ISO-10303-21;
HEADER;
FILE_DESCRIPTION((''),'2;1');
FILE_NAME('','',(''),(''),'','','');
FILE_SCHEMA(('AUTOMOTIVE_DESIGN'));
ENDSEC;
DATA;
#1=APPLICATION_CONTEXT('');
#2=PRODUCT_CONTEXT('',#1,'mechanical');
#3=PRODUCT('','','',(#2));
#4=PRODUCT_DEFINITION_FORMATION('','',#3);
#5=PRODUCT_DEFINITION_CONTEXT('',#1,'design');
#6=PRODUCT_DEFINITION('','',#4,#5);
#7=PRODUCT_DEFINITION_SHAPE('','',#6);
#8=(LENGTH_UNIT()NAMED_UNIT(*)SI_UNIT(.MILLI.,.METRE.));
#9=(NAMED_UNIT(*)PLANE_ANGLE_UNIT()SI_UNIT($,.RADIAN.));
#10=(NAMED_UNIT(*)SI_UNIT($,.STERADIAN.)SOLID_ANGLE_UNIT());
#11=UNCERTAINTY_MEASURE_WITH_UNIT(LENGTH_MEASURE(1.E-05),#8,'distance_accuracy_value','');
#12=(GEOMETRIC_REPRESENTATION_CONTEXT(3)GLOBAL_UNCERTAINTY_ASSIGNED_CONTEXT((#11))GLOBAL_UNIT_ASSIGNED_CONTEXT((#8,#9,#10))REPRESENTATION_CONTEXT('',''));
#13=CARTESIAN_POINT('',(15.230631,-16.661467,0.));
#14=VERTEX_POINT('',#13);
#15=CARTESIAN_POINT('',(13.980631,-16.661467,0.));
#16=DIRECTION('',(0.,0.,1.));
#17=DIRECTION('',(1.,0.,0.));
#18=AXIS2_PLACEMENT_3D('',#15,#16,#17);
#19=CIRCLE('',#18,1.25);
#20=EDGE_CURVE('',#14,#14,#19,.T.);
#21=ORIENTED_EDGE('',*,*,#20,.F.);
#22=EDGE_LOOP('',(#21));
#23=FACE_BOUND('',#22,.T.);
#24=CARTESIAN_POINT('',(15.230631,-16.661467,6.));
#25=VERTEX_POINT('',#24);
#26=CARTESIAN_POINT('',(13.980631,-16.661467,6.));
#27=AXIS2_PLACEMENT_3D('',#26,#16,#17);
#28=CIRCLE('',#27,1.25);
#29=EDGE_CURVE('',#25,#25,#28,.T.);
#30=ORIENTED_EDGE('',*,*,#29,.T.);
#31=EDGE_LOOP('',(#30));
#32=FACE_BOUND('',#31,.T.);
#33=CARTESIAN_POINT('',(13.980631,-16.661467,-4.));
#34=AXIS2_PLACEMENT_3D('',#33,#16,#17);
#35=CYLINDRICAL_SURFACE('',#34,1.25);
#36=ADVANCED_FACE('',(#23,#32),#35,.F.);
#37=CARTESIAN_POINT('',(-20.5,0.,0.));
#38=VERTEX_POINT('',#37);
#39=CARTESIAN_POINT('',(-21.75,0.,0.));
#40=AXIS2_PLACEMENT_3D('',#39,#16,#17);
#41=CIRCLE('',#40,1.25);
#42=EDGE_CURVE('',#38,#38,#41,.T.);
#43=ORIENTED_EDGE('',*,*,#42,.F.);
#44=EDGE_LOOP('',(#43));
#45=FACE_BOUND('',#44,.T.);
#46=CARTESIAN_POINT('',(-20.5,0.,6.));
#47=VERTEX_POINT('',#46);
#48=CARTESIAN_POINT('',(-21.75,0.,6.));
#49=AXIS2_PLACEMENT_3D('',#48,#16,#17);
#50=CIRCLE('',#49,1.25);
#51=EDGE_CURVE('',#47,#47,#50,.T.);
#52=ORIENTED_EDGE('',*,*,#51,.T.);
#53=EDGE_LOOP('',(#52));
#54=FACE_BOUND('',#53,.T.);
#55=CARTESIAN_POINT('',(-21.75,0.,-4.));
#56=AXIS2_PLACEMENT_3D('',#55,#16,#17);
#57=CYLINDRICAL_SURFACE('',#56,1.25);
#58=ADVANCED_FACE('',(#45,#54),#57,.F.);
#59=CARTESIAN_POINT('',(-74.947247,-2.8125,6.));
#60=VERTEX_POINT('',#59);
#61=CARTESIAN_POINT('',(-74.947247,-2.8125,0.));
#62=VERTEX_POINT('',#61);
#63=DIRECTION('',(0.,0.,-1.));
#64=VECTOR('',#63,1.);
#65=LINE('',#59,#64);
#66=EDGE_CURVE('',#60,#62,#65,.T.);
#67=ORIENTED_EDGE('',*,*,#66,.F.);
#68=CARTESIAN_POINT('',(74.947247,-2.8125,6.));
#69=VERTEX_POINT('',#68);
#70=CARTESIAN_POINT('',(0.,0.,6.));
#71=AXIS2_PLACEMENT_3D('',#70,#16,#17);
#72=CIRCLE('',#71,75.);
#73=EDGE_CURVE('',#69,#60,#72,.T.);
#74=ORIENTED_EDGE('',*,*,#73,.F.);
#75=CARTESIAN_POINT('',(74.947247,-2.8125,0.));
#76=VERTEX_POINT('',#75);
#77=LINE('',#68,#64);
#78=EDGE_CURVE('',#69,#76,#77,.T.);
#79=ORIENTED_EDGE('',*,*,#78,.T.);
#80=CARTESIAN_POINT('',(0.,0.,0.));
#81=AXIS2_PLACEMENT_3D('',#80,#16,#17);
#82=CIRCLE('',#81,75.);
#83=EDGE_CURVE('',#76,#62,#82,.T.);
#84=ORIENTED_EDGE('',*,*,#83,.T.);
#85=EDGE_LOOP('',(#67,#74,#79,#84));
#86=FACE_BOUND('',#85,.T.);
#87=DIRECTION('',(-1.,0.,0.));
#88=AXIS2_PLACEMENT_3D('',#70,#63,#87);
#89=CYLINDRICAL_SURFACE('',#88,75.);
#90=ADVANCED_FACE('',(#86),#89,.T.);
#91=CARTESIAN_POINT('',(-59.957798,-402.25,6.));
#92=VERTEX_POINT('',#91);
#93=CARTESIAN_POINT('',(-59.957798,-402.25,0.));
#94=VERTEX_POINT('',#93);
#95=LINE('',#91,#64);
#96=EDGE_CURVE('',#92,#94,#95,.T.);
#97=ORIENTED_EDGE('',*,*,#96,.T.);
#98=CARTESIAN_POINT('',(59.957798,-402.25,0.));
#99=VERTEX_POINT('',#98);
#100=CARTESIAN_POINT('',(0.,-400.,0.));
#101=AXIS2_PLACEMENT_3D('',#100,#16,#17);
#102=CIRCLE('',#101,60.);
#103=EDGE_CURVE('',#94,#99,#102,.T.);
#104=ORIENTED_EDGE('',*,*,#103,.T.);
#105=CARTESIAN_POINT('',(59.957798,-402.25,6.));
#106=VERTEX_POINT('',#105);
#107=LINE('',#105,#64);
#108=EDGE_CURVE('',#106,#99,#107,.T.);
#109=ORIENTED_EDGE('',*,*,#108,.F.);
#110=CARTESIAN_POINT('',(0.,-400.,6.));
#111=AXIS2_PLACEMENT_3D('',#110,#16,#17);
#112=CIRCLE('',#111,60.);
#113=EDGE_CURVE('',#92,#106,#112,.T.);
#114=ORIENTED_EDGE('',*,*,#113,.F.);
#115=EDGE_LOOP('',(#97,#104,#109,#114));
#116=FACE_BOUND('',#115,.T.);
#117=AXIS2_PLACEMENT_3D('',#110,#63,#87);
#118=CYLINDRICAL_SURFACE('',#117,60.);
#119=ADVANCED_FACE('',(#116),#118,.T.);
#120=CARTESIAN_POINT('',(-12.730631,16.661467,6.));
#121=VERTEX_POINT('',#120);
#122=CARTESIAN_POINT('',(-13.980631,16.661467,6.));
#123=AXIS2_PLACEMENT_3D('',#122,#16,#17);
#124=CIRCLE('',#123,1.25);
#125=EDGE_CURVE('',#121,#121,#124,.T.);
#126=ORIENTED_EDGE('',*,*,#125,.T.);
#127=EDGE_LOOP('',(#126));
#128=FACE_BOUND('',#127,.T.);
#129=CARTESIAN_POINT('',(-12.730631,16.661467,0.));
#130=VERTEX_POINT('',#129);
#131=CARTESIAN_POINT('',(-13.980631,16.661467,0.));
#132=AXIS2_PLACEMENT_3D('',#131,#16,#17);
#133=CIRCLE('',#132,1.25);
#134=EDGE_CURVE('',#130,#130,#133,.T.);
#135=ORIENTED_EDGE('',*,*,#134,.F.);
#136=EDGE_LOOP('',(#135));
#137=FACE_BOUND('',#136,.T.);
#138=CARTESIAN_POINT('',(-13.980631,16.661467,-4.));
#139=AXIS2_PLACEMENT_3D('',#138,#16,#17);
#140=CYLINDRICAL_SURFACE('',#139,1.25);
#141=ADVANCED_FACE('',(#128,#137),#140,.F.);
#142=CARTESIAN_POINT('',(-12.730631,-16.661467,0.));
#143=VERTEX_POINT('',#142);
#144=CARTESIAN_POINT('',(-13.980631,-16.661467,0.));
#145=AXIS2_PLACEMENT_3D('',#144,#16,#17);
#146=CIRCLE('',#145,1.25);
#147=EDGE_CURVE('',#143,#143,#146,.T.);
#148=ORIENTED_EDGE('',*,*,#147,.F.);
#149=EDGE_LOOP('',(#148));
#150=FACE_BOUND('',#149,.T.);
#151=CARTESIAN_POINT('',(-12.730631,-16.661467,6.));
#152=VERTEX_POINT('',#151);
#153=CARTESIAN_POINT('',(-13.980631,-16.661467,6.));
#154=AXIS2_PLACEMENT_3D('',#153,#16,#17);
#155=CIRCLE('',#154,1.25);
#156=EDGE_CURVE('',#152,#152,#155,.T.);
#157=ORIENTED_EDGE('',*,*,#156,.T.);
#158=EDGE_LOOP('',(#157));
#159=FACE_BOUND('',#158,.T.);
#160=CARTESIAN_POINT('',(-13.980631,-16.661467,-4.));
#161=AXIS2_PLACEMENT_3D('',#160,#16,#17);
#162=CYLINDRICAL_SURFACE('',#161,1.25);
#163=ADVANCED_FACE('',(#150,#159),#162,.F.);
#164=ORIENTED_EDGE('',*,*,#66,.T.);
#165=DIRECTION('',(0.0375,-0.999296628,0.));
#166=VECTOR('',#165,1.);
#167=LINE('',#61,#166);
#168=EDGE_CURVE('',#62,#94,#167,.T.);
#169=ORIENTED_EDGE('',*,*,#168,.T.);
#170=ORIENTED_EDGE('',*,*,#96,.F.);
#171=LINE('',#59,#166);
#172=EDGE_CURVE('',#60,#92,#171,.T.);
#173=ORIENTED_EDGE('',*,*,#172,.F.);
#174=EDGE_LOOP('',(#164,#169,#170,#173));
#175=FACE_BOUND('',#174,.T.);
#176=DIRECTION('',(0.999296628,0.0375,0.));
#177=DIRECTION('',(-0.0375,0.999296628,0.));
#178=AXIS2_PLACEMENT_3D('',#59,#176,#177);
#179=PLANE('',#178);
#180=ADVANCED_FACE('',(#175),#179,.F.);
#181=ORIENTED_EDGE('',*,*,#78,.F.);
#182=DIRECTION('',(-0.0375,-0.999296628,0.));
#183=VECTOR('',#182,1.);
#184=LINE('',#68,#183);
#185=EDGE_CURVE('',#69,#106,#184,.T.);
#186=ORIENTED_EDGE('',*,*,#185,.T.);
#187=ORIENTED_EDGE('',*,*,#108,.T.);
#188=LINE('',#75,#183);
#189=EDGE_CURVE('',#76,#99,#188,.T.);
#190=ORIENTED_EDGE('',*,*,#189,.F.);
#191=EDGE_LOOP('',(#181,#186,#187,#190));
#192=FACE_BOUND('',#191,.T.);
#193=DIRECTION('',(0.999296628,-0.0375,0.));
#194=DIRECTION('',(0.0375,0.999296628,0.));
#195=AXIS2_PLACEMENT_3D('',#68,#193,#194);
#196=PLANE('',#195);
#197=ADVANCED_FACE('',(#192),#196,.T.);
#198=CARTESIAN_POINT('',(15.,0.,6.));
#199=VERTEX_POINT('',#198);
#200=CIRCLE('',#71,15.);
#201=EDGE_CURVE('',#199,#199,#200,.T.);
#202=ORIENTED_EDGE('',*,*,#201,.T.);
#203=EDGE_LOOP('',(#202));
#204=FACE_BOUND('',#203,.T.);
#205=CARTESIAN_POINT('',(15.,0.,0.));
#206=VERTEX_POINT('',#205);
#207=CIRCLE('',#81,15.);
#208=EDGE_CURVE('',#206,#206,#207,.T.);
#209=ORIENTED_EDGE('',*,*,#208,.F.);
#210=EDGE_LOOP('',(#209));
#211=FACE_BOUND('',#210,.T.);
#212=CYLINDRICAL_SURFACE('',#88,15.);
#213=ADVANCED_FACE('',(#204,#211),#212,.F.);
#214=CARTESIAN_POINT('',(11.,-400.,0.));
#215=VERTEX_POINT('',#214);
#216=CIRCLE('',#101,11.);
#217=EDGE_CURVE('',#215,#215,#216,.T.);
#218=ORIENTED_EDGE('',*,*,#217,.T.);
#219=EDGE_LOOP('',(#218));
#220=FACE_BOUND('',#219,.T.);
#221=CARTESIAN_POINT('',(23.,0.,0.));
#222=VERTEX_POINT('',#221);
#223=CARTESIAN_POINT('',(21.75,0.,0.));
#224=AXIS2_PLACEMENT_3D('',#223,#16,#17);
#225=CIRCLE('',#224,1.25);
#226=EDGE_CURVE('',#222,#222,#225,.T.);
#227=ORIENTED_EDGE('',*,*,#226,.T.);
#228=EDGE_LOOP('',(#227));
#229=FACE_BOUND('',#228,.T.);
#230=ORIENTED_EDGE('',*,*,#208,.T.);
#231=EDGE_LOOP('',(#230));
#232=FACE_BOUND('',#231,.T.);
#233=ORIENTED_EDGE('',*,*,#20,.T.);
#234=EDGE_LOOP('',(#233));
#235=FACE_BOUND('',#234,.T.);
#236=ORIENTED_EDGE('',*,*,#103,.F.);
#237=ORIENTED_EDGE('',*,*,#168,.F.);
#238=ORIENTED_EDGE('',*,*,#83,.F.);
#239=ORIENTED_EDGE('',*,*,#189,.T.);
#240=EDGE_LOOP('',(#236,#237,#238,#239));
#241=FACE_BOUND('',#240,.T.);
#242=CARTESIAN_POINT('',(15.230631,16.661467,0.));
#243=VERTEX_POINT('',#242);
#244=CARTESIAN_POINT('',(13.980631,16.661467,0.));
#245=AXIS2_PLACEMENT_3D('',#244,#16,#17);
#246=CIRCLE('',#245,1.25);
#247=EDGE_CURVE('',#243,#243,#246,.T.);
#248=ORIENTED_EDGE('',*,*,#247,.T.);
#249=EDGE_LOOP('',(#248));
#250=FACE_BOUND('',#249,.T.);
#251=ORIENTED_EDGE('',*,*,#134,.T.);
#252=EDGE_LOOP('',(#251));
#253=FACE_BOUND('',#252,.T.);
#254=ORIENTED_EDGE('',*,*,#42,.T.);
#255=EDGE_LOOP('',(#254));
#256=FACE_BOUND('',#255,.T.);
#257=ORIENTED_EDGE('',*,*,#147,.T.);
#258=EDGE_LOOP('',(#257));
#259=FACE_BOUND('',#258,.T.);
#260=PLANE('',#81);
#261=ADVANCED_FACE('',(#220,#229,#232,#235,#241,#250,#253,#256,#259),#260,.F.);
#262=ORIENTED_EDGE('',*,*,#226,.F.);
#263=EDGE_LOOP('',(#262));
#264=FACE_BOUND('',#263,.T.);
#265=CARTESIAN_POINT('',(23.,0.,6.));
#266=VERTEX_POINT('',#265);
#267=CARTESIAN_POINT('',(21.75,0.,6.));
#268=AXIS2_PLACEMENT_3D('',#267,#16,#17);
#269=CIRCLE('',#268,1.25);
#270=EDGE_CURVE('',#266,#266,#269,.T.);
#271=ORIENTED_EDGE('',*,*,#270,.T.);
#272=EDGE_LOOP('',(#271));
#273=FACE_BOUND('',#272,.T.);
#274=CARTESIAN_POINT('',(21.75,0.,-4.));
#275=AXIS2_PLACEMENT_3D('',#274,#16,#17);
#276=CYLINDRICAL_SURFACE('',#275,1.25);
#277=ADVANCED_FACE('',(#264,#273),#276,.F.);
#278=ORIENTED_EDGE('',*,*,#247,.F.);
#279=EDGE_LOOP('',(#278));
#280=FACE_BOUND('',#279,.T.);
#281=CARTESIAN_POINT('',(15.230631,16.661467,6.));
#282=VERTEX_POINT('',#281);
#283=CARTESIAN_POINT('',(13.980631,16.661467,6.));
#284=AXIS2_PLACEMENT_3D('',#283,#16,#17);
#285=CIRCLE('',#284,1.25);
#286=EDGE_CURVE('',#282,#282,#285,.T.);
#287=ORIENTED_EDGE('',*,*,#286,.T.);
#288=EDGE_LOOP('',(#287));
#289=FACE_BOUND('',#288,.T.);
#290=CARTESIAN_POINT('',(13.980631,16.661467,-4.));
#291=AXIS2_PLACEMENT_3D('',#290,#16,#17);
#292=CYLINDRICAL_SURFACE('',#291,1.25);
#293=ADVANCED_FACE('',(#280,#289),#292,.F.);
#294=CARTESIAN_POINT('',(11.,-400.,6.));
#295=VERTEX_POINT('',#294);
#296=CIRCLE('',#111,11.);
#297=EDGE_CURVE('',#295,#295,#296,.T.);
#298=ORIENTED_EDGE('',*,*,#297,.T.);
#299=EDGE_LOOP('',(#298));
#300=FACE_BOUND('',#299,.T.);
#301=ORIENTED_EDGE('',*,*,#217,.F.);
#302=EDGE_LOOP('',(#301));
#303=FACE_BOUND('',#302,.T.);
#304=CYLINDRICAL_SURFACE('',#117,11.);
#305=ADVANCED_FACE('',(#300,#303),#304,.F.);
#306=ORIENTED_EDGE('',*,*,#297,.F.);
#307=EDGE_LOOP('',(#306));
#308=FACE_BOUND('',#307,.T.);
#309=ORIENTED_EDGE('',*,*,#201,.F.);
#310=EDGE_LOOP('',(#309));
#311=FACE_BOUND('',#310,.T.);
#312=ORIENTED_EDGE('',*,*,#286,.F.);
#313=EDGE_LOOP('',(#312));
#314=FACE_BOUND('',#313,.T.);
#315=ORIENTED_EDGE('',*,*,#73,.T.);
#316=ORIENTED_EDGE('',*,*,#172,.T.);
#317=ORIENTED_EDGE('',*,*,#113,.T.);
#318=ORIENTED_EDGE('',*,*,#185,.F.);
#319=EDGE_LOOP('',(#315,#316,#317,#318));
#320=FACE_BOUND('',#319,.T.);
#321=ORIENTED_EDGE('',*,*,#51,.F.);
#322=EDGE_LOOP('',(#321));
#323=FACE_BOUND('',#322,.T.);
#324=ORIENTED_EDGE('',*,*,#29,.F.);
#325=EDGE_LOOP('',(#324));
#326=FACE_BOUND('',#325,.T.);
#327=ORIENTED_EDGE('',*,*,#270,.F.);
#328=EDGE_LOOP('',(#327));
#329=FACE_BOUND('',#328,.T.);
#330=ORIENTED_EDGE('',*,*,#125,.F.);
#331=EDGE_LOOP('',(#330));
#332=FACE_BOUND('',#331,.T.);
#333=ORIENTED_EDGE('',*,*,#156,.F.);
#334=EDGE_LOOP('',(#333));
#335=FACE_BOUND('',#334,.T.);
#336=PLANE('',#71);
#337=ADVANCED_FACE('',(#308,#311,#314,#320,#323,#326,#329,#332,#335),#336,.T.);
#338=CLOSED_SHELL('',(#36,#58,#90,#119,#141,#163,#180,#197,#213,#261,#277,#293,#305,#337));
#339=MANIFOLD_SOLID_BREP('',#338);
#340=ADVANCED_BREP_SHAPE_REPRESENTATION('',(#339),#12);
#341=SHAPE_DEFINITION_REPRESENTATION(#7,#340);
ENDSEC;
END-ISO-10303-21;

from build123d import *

# Parameters (mm, degrees)
SKETCH_1_R          = 15
SKETCH_1_R_2        = 11
EXTRUDE_1_DEPTH     = 6
SKETCH_2_R          = 1.25
CUT_EXTRUDE_1_DEPTH = 10


with BuildPart() as part:
    # 草图1 → 凸台-拉伸1 (new body)
    with BuildSketch(Plane.XY):
        with BuildLine():
            Line((-74.947247073, -2.8125), (-59.957797658, -402.25))
            ThreePointArc((-59.957797658, -402.25), (0, -460), (59.957797658, -402.25))
            Line((59.957797658, -402.25), (74.947247073, -2.8125))
            ThreePointArc((74.947247073, -2.8125), (0, 75), (-74.947247073, -2.8125))
        make_face()
        Circle(SKETCH_1_R, mode=Mode.SUBTRACT)
        with Locations((0, -400)):
            Circle(SKETCH_1_R_2, mode=Mode.SUBTRACT)
    extrude(amount=EXTRUDE_1_DEPTH)

    # 草图2 → 切除-拉伸1 (cut, symmetric)
    with BuildSketch(Plane.XY.offset(6)):
        with Locations((13.980630511, 16.661466638)):
            Circle(SKETCH_2_R)
        with Locations((21.75, 0)):
            Circle(SKETCH_2_R)
        with Locations((13.980630511, -16.661466638)):
            Circle(SKETCH_2_R)
        with Locations((-13.980630511, 16.661466638)):
            Circle(SKETCH_2_R)
        with Locations((-21.75, 0)):
            Circle(SKETCH_2_R)
        with Locations((-13.980630511, -16.661466638)):
            Circle(SKETCH_2_R)
    extrude(amount=CUT_EXTRUDE_1_DEPTH, both=True, mode=Mode.SUBTRACT)


solid = part.part
